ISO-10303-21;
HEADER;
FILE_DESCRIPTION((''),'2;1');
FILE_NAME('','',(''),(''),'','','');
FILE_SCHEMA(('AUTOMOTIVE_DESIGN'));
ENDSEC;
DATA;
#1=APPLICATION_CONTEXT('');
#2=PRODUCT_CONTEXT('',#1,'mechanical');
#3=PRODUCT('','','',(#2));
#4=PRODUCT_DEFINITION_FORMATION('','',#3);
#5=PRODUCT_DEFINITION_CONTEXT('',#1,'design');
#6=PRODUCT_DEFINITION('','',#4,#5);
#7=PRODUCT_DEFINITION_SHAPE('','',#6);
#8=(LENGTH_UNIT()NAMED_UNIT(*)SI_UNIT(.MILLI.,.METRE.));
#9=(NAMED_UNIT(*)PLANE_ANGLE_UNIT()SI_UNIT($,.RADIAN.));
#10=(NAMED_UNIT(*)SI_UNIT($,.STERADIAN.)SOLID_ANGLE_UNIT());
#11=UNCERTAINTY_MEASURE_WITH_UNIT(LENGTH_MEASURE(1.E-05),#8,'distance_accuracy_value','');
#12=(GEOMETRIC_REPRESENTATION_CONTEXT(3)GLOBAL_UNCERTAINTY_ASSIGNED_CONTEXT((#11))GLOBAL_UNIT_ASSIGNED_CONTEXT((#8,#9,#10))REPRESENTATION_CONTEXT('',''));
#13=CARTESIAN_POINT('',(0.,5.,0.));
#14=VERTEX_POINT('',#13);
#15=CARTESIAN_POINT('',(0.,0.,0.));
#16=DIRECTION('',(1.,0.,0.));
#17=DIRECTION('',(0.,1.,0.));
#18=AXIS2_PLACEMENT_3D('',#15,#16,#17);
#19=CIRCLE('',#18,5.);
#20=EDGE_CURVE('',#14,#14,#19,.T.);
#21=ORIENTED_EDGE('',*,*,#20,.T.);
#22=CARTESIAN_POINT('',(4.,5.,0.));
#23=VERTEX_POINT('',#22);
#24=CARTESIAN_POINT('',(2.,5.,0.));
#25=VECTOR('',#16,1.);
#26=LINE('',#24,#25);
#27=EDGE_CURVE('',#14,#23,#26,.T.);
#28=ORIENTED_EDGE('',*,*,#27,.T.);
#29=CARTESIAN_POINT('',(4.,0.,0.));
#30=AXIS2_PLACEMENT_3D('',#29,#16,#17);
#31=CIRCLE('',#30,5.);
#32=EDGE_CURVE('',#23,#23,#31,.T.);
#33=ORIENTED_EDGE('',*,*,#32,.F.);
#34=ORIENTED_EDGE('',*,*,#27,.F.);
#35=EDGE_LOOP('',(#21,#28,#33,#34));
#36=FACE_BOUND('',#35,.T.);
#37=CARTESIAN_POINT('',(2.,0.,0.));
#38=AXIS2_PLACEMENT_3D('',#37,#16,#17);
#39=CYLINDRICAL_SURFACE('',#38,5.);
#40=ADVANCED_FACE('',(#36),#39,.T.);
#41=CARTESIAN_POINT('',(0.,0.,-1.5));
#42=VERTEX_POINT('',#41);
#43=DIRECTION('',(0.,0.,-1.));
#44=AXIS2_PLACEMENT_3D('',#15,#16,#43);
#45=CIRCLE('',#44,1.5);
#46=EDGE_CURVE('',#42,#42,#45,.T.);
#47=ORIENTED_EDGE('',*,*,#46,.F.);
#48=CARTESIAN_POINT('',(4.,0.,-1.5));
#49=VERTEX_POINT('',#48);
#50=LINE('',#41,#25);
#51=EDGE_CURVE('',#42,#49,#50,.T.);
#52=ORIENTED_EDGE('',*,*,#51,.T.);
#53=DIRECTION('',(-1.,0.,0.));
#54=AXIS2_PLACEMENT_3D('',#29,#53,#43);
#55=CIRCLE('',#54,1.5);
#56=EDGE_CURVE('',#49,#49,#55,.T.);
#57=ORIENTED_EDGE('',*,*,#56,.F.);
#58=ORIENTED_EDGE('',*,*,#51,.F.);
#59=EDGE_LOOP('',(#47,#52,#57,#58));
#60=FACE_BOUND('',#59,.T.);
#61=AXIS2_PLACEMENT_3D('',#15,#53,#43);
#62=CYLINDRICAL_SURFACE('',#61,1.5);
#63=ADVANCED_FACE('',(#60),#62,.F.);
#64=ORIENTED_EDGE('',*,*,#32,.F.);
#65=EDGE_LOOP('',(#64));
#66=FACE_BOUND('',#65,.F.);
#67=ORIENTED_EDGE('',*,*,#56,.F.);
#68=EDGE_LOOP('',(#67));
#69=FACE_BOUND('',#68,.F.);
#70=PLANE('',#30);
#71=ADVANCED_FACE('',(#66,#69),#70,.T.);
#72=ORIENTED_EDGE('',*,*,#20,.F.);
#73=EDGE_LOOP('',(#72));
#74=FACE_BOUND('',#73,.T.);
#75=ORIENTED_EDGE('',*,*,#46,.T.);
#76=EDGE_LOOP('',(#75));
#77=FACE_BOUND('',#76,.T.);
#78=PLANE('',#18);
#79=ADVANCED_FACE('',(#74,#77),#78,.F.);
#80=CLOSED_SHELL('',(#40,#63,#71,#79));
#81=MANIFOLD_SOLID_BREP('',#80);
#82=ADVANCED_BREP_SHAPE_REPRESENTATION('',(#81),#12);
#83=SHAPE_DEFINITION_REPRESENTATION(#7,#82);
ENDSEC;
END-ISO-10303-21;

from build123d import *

# Parameters (mm, degrees)
ESQUISSE2_W             = 4
ESQUISSE2_H             = 5
ESQUISSE3_R             = 1.5
ENL_V_MAT_EXTRU_4_DEPTH = 5


with BuildPart() as part:
    # Esquisse2 → Révolution2 (revolve)
    with BuildSketch(Plane.XY):
        with Locations((2, 2.5)):
            Rectangle(ESQUISSE2_W, ESQUISSE2_H)
    revolve(axis=Axis((-2.508115562, 0, 0), (1, 0, 0)))

    # Esquisse3 → Enlèv. mat.-Extru.4 (cut, through all)
    with BuildSketch(Plane(origin=(0, 0, 0), x_dir=(0, 0, -1), z_dir=(1, 0, 0))):
        Circle(ESQUISSE3_R)
    extrude(amount=ENL_V_MAT_EXTRU_4_DEPTH, mode=Mode.SUBTRACT)


solid = part.part
